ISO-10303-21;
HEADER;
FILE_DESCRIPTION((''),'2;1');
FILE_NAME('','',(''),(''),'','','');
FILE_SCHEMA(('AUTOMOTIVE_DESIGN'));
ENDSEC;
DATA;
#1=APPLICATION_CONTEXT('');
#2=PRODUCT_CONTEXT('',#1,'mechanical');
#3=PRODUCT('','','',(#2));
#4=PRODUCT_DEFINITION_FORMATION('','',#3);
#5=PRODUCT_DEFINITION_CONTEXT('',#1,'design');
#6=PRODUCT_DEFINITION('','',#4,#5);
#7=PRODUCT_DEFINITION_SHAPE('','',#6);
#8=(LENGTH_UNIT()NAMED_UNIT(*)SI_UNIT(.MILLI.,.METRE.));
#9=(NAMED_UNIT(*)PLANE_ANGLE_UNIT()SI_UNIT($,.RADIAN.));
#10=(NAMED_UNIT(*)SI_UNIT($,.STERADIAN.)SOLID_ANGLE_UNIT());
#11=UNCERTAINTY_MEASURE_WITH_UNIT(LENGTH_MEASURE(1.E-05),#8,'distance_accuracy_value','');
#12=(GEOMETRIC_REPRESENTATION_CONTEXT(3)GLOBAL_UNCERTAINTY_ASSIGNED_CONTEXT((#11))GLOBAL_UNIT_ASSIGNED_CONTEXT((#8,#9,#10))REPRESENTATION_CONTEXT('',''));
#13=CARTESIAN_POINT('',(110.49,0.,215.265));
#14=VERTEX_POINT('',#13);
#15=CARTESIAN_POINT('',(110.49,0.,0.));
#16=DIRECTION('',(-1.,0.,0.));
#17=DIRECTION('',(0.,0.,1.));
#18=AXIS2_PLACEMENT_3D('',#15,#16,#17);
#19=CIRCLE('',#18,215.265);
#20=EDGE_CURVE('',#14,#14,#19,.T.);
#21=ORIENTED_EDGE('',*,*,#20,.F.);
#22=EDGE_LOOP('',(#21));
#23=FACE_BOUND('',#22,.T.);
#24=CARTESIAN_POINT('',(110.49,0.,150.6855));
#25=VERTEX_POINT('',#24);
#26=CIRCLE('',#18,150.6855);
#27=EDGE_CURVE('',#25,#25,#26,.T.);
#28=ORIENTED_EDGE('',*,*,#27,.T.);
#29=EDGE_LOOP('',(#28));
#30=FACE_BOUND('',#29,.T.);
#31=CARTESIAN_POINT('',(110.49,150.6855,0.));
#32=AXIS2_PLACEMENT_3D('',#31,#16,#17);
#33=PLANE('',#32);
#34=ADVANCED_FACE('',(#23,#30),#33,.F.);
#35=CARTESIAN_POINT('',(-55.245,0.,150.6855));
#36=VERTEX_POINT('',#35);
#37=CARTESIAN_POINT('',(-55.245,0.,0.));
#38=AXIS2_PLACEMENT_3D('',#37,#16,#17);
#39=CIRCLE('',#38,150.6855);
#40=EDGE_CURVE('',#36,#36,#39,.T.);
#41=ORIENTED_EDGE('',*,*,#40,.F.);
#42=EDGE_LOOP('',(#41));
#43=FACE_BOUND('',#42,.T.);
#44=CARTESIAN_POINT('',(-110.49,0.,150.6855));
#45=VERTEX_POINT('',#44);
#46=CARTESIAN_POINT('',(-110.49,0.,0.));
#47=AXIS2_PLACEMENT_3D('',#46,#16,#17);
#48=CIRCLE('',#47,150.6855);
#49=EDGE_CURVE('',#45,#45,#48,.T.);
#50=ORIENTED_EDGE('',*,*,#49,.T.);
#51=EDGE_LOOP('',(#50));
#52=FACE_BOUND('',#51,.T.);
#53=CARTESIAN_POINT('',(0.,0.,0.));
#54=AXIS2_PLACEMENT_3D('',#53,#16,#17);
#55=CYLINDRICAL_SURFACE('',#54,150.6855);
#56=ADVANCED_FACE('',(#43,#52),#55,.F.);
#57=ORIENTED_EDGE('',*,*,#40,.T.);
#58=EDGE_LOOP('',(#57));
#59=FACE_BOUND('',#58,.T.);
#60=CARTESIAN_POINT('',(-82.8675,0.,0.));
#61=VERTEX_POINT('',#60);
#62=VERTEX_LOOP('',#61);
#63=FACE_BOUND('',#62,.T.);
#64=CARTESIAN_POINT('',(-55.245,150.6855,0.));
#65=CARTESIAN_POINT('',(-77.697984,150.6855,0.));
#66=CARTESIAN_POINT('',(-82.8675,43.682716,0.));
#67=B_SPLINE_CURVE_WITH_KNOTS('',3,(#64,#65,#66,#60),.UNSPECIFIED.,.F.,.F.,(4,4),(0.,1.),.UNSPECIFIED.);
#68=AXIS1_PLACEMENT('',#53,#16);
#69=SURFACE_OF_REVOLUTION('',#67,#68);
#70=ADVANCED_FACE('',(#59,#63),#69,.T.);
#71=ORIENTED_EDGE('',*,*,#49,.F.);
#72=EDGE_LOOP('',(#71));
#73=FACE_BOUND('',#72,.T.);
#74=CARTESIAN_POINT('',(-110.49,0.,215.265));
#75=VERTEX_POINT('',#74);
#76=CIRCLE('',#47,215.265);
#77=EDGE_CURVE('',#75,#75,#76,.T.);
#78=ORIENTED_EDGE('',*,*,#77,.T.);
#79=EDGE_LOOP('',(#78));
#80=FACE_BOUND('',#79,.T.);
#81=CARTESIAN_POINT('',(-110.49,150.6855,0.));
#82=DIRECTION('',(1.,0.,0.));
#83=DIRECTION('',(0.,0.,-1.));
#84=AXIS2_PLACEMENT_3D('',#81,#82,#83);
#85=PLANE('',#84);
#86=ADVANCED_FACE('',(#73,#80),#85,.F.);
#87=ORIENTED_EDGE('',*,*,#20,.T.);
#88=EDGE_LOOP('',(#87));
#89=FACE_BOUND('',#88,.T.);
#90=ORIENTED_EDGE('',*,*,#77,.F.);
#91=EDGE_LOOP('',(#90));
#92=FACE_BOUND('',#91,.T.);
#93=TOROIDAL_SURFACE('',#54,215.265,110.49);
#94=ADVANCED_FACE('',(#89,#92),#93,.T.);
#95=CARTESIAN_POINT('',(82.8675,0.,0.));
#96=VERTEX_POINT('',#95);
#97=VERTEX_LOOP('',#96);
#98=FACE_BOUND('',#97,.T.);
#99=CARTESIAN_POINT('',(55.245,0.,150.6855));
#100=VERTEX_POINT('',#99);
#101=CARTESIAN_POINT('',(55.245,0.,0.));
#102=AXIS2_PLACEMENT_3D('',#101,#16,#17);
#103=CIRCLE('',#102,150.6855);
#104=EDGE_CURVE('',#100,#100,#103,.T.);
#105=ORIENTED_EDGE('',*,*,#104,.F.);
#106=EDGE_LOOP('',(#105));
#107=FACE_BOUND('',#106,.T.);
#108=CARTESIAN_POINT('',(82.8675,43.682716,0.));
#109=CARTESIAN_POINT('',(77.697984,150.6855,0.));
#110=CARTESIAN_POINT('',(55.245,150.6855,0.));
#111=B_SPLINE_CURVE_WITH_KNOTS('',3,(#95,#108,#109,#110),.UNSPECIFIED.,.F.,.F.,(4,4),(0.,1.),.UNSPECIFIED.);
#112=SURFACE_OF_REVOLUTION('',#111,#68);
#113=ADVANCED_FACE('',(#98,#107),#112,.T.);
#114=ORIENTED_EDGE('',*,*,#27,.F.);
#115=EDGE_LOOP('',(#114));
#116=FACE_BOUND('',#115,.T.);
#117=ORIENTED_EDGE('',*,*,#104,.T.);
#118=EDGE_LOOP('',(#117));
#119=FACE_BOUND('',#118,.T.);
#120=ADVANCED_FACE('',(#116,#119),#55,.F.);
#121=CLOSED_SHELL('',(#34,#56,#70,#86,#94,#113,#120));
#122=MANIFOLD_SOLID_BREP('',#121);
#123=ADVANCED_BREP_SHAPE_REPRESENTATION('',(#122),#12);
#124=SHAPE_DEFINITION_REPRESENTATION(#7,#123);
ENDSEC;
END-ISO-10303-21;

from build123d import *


with BuildPart() as part:
    # Sketch3 → Revolve1 (revolve)
    with BuildSketch(Plane.XY, mode=Mode.PRIVATE) as revolve1_sk:
        with BuildLine():
            Line((-82.8675, 0), (82.8675, 0))
            add(Edge.make_bspline(
                [(55.245, 150.6855), (77.69798373, 150.6855), (82.8675, 43.682715928), (82.8675, 0)],
                knots=[0, 0, 0, 0, 1, 1, 1, 1], degree=3))
            Line((55.245, 150.6855), (110.49, 150.6855))
            Line((110.49, 150.6855), (110.49, 215.265))
            ThreePointArc((110.49, 215.265), (0, 325.755), (-110.49, 215.265))
            Line((-110.49, 215.265), (-110.49, 150.6855))
            Line((-110.49, 150.6855), (-55.245, 150.6855))
            add(Edge.make_bspline(
                [(-55.245, 150.6855), (-77.69798373, 150.6855), (-82.8675, 43.682715928), (-82.8675, 0)],
                knots=[0, 0, 0, 0, 1, 1, 1, 1], degree=3))
        make_face()
    revolve(revolve1_sk.sketch.rotate(Axis((0, 0, 0), (1, 0, 0)), 90), axis=Axis((0, 0, 0), (1, 0, 0)))


solid = part.part
